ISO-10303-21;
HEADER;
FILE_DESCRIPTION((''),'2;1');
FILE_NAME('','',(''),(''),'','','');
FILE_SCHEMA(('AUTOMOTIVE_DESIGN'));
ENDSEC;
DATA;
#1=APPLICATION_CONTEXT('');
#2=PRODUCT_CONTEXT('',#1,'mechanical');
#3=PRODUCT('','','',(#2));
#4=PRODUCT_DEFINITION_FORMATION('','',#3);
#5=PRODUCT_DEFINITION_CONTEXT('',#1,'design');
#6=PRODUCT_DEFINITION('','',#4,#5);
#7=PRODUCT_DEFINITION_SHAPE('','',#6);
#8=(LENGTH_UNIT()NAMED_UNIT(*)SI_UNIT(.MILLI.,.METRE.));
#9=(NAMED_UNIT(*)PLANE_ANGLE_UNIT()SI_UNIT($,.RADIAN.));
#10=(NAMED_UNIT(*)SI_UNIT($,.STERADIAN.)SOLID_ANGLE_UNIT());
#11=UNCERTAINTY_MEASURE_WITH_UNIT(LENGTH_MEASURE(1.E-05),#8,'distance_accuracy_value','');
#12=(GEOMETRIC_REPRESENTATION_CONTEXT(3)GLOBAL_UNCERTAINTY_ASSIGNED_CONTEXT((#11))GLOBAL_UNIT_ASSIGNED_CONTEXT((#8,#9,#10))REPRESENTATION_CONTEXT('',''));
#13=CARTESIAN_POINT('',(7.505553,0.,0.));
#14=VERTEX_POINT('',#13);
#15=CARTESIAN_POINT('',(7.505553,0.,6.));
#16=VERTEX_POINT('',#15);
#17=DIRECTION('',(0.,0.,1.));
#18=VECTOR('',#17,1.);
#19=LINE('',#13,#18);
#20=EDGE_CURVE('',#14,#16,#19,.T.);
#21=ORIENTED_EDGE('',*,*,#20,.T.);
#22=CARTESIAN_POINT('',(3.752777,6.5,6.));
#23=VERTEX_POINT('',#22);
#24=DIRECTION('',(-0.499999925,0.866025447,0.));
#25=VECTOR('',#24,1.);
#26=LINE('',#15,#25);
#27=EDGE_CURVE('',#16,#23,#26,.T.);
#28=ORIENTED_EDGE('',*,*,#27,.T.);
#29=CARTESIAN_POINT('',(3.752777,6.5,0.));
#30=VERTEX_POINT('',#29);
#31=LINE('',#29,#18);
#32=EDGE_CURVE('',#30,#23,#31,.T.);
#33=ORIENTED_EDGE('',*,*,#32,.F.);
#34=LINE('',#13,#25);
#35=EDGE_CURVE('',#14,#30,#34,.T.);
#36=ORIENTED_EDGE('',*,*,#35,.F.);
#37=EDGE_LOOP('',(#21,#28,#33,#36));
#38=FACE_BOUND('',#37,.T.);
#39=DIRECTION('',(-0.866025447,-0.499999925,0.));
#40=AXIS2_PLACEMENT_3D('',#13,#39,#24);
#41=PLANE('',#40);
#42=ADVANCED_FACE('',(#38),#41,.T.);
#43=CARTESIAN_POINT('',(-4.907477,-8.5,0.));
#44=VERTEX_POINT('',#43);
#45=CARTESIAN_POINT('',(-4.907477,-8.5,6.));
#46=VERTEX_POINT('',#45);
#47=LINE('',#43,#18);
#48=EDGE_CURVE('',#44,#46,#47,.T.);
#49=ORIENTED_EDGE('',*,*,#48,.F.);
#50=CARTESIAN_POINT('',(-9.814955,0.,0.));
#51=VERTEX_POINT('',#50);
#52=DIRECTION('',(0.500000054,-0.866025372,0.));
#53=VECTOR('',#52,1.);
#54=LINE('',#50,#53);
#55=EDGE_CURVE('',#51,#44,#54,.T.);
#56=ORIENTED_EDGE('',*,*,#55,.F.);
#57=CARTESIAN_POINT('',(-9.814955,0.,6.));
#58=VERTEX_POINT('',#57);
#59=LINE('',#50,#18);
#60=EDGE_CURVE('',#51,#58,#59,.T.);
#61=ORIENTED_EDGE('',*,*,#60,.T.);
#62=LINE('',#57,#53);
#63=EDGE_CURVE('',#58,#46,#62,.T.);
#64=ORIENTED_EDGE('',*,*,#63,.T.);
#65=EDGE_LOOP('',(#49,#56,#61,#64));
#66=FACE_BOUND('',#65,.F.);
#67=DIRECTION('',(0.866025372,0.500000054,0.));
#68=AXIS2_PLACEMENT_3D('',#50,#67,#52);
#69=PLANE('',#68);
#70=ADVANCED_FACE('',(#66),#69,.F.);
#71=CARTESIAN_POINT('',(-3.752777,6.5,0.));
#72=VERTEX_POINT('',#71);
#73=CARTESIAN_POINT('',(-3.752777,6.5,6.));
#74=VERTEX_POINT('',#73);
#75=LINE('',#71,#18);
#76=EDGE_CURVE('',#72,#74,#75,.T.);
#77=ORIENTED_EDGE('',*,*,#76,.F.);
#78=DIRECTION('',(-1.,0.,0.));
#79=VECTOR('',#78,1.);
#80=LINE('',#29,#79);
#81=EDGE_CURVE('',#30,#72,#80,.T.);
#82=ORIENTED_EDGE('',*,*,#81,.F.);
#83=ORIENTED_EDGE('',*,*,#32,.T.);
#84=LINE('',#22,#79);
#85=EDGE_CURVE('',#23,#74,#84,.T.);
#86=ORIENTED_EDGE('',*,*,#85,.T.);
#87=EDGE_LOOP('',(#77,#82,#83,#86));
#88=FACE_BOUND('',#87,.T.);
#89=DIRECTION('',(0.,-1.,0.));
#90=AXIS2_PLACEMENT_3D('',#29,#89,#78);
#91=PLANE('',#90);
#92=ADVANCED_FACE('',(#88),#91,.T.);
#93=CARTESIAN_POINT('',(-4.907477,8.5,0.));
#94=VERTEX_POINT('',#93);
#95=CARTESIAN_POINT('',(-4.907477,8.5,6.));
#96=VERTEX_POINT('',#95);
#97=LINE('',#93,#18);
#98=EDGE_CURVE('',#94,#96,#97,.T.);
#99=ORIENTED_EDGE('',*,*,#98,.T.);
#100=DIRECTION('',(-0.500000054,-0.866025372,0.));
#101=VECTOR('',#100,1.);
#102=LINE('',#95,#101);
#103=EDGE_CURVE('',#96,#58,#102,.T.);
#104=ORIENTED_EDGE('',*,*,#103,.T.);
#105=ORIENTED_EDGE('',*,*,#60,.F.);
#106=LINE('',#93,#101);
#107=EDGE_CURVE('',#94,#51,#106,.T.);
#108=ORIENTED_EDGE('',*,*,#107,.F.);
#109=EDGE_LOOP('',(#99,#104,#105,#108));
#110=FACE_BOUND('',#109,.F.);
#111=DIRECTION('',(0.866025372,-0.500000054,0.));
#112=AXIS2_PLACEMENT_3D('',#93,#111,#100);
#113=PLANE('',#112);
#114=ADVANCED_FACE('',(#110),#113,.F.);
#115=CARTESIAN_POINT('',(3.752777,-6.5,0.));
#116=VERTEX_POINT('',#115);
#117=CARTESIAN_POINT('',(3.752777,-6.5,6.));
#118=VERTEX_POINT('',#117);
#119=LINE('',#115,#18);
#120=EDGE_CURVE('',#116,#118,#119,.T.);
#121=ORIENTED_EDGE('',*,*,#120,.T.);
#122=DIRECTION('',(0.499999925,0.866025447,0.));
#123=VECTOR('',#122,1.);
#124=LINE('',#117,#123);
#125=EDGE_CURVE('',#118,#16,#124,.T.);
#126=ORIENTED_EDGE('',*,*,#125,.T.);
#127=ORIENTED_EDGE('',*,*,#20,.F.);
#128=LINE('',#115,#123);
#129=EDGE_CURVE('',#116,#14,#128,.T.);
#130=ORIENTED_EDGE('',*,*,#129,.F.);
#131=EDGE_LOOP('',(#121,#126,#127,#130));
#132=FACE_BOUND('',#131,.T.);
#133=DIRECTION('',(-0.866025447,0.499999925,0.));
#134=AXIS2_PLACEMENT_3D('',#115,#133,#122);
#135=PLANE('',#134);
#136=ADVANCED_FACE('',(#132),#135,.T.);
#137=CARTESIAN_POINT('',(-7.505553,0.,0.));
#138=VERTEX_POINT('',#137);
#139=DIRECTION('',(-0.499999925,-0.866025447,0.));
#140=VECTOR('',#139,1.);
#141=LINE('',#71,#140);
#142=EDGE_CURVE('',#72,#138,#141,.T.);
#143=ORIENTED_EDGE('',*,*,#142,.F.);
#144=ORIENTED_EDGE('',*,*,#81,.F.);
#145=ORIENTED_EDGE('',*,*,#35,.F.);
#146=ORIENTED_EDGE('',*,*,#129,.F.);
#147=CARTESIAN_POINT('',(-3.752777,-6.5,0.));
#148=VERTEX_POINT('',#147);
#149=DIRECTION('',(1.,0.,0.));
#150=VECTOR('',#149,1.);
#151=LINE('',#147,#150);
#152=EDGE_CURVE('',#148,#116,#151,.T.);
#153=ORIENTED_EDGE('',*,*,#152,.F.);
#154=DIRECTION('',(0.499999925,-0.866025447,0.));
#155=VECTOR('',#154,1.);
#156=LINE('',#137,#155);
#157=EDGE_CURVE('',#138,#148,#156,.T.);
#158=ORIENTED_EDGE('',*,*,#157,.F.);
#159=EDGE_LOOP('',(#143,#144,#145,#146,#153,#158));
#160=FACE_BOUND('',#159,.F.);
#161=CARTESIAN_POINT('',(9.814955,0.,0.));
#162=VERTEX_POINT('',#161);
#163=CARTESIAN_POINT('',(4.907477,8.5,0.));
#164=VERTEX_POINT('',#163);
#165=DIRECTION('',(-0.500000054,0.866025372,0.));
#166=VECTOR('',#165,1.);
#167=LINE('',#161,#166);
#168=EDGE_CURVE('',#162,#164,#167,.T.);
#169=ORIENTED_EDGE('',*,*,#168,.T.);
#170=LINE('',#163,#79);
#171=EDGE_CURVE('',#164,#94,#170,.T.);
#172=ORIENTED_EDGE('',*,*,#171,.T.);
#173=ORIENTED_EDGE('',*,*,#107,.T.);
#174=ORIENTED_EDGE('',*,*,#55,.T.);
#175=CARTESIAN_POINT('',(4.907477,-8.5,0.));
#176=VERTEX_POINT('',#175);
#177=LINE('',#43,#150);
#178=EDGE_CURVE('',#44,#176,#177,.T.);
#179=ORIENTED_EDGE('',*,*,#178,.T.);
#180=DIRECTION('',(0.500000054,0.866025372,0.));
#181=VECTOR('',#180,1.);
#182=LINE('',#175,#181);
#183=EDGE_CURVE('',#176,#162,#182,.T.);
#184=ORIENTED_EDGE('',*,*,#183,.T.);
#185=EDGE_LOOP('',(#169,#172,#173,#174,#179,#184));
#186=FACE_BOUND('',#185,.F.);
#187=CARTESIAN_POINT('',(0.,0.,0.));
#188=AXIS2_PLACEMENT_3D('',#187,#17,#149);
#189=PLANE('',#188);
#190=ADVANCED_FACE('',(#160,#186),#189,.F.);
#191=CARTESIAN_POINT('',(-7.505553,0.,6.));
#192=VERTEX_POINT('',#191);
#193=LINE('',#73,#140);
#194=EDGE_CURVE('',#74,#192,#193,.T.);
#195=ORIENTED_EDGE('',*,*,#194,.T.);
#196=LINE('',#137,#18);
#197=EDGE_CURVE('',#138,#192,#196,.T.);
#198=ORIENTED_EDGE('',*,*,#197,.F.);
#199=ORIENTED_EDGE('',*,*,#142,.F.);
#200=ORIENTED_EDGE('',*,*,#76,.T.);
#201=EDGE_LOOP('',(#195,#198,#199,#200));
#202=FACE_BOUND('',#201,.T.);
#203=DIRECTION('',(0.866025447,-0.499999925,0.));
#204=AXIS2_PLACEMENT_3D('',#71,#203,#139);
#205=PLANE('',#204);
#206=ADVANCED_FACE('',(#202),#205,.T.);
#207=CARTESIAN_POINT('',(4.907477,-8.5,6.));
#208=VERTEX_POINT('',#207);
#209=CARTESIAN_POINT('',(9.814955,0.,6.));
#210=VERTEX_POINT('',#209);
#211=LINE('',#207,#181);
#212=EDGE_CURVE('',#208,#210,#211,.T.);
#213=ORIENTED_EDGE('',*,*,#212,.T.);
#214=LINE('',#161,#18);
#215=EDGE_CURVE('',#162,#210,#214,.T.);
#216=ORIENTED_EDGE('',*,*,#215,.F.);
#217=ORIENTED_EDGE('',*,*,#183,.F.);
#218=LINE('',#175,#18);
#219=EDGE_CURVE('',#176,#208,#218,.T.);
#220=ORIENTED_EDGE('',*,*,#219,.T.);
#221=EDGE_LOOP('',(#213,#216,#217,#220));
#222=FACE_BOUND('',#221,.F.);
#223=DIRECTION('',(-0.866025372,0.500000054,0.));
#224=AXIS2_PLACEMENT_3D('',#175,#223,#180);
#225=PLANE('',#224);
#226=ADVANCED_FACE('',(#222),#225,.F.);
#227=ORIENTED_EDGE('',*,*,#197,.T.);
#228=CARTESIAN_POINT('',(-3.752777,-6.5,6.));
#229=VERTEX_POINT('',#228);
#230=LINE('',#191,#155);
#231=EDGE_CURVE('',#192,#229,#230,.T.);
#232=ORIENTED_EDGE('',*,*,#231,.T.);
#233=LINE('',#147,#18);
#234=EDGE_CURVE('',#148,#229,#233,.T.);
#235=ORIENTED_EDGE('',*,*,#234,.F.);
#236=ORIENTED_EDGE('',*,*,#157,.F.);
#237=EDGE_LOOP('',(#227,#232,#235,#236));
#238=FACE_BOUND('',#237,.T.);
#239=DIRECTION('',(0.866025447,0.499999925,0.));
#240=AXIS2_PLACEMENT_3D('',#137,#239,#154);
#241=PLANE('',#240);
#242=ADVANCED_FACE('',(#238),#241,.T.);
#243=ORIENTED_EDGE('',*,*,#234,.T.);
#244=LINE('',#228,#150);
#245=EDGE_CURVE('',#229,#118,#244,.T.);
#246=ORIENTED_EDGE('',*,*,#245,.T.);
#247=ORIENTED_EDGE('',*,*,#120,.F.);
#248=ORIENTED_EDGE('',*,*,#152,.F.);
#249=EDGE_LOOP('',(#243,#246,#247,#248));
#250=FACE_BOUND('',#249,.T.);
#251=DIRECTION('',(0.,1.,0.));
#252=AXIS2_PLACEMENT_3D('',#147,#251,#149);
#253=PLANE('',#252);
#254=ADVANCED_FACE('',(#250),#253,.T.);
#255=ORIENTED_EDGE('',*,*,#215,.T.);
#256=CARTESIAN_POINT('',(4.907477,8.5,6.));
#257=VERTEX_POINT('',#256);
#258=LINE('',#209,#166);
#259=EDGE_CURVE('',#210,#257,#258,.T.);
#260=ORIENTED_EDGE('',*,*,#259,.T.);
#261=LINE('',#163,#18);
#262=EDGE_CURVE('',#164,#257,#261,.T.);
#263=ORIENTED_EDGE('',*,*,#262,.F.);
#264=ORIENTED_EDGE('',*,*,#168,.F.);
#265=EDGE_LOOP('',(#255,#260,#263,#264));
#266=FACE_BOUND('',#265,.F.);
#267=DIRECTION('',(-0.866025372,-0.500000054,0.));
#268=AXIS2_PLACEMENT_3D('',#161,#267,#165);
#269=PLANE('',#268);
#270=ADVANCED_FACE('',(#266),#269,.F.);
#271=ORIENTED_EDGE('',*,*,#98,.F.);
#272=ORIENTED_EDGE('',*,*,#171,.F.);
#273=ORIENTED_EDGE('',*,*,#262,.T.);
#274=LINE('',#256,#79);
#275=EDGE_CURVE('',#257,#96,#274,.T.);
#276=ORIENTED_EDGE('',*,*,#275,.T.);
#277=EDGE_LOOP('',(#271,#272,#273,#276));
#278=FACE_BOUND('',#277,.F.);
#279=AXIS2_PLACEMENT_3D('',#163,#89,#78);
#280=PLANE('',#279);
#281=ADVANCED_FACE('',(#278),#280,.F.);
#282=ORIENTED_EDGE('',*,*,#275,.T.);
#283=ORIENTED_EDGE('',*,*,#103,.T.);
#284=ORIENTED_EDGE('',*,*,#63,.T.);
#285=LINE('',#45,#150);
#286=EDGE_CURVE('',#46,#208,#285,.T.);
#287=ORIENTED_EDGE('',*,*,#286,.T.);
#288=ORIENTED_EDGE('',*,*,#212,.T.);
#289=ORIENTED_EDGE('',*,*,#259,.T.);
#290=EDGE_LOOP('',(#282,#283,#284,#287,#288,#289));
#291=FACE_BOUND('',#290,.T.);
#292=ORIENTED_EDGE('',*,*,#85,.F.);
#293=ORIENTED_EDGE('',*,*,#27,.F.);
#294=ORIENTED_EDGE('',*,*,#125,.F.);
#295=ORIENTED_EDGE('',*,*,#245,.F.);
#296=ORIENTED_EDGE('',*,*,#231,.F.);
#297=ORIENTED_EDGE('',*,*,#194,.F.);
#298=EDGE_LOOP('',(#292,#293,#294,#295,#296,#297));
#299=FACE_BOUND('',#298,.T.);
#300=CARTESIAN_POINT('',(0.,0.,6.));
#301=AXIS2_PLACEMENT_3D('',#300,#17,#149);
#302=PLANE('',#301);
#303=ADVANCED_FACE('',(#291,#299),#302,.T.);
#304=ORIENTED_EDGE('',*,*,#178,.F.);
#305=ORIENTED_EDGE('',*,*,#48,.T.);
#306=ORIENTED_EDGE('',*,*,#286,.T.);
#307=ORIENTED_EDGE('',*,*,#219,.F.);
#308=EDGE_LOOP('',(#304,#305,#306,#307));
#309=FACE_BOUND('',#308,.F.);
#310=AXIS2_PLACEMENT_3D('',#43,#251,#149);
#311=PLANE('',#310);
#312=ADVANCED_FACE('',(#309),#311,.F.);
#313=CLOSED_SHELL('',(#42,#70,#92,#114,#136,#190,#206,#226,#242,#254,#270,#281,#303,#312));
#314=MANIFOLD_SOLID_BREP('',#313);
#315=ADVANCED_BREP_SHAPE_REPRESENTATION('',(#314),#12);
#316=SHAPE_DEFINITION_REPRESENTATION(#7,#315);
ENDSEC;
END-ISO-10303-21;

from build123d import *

# Parameters (mm, degrees)
PAD_DEPTH = 6


with BuildPart() as part:
    # Sketch → Pad (new body)
    with BuildSketch(Plane.XY):
        Polygon((9.814955, 0), (4.907477, 8.5), (-4.907477, 8.5), (-9.814955, 0), (-4.907477, -8.5), (4.907477, -8.5), align=None)
        Polygon((7.505553, 0), (3.752777, 6.5), (-3.752777, 6.5), (-7.505553, 0), (-3.752777, -6.5), (3.752777, -6.5), align=None, mode=Mode.SUBTRACT)
    extrude(amount=PAD_DEPTH)


solid = part.part
